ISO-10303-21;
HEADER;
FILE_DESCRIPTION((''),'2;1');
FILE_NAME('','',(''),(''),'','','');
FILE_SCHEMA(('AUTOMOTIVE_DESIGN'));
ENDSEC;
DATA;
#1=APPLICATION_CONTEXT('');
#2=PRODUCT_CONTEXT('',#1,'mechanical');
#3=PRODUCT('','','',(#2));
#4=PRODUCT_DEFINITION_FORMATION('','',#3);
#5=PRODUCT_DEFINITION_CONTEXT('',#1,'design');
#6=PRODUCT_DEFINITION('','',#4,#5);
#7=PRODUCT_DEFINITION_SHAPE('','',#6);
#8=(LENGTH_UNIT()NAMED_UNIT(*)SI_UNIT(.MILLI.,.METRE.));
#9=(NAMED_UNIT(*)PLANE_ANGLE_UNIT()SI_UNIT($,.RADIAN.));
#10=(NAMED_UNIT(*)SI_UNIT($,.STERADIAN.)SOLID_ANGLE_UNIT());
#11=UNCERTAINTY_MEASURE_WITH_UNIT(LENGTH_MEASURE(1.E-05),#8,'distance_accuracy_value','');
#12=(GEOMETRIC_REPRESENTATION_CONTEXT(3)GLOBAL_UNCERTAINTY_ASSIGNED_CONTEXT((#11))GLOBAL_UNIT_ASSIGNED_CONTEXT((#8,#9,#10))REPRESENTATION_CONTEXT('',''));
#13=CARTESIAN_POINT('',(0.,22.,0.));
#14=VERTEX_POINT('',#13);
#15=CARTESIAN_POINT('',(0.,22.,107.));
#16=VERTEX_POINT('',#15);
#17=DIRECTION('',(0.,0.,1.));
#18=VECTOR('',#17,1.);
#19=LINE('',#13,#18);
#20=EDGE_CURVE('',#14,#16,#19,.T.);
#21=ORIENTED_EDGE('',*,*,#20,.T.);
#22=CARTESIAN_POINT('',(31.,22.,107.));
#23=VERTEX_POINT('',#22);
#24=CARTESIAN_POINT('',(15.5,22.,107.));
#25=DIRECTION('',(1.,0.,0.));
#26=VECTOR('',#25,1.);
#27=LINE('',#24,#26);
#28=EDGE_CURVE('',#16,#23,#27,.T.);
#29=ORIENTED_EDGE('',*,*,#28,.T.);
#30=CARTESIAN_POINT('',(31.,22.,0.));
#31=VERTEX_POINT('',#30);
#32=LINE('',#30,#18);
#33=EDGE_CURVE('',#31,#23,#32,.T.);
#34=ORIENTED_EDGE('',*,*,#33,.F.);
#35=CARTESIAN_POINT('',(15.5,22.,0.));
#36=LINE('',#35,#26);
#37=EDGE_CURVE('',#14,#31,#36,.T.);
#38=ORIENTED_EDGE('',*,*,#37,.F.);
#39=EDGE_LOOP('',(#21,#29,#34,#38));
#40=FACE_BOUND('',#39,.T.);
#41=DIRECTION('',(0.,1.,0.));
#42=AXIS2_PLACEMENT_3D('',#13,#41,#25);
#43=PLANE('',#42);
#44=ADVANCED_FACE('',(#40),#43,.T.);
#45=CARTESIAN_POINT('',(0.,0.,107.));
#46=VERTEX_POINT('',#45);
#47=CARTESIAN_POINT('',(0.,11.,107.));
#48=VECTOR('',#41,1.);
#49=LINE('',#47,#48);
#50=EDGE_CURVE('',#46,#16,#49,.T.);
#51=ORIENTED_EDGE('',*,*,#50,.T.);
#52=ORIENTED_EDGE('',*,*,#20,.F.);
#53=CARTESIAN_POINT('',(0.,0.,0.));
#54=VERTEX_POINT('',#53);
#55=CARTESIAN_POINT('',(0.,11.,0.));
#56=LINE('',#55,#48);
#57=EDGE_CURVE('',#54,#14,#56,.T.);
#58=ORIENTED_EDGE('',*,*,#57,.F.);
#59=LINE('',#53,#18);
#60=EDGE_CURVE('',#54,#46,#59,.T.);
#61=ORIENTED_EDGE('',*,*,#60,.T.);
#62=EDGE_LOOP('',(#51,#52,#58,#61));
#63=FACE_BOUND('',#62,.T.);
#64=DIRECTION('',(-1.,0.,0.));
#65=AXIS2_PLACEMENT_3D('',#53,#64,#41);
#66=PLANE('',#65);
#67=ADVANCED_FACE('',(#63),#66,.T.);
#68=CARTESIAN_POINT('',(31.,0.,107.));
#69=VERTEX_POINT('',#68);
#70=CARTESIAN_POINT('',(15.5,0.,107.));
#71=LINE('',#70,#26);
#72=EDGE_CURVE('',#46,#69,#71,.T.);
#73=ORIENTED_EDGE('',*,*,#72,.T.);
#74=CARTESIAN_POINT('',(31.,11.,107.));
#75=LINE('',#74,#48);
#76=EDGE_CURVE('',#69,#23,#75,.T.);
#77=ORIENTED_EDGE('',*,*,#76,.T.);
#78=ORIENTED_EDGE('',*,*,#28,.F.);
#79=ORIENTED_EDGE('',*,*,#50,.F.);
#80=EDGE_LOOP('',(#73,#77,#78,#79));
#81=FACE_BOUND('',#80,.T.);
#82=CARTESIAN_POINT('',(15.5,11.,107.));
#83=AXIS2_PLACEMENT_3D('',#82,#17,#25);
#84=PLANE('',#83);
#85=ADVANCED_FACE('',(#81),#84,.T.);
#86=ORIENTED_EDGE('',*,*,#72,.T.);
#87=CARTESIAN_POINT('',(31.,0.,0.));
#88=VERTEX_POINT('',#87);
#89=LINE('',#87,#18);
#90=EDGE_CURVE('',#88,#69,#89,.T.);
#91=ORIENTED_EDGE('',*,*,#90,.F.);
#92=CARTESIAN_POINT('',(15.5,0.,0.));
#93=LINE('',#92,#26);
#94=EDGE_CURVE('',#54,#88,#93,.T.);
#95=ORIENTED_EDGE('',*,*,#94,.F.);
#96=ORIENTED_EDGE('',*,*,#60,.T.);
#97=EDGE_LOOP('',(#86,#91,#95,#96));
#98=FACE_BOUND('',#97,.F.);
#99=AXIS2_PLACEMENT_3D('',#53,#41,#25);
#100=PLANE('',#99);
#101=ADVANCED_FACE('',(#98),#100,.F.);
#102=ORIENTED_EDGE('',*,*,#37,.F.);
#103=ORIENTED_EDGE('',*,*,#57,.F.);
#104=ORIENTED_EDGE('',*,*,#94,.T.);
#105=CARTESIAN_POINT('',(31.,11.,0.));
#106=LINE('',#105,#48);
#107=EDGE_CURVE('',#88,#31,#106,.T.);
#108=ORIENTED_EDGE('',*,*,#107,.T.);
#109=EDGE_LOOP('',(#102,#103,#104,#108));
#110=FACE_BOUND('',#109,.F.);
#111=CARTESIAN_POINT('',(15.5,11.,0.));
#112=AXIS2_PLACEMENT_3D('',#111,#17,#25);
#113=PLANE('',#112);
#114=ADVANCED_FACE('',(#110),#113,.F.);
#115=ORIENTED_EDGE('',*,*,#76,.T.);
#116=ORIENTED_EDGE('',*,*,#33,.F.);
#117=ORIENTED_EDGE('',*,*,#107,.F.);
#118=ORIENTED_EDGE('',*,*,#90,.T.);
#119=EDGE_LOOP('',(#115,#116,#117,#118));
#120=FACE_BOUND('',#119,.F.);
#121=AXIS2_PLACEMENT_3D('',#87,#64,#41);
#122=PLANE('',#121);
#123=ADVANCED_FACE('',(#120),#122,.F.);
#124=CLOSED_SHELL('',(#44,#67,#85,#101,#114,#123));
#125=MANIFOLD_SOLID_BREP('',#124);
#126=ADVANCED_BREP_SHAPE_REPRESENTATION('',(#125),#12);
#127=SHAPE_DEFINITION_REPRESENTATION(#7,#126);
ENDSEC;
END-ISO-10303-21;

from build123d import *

# Parameters (mm, degrees)
SKETCH_W  = 31
SKETCH_H  = 22
PAD_DEPTH = 107


with BuildPart() as part:
    # Sketch → Pad (new body)
    with BuildSketch(Plane.XY):
        with Locations((15.5, 11)):
            Rectangle(SKETCH_W, SKETCH_H)
    extrude(amount=PAD_DEPTH)


solid = part.part
